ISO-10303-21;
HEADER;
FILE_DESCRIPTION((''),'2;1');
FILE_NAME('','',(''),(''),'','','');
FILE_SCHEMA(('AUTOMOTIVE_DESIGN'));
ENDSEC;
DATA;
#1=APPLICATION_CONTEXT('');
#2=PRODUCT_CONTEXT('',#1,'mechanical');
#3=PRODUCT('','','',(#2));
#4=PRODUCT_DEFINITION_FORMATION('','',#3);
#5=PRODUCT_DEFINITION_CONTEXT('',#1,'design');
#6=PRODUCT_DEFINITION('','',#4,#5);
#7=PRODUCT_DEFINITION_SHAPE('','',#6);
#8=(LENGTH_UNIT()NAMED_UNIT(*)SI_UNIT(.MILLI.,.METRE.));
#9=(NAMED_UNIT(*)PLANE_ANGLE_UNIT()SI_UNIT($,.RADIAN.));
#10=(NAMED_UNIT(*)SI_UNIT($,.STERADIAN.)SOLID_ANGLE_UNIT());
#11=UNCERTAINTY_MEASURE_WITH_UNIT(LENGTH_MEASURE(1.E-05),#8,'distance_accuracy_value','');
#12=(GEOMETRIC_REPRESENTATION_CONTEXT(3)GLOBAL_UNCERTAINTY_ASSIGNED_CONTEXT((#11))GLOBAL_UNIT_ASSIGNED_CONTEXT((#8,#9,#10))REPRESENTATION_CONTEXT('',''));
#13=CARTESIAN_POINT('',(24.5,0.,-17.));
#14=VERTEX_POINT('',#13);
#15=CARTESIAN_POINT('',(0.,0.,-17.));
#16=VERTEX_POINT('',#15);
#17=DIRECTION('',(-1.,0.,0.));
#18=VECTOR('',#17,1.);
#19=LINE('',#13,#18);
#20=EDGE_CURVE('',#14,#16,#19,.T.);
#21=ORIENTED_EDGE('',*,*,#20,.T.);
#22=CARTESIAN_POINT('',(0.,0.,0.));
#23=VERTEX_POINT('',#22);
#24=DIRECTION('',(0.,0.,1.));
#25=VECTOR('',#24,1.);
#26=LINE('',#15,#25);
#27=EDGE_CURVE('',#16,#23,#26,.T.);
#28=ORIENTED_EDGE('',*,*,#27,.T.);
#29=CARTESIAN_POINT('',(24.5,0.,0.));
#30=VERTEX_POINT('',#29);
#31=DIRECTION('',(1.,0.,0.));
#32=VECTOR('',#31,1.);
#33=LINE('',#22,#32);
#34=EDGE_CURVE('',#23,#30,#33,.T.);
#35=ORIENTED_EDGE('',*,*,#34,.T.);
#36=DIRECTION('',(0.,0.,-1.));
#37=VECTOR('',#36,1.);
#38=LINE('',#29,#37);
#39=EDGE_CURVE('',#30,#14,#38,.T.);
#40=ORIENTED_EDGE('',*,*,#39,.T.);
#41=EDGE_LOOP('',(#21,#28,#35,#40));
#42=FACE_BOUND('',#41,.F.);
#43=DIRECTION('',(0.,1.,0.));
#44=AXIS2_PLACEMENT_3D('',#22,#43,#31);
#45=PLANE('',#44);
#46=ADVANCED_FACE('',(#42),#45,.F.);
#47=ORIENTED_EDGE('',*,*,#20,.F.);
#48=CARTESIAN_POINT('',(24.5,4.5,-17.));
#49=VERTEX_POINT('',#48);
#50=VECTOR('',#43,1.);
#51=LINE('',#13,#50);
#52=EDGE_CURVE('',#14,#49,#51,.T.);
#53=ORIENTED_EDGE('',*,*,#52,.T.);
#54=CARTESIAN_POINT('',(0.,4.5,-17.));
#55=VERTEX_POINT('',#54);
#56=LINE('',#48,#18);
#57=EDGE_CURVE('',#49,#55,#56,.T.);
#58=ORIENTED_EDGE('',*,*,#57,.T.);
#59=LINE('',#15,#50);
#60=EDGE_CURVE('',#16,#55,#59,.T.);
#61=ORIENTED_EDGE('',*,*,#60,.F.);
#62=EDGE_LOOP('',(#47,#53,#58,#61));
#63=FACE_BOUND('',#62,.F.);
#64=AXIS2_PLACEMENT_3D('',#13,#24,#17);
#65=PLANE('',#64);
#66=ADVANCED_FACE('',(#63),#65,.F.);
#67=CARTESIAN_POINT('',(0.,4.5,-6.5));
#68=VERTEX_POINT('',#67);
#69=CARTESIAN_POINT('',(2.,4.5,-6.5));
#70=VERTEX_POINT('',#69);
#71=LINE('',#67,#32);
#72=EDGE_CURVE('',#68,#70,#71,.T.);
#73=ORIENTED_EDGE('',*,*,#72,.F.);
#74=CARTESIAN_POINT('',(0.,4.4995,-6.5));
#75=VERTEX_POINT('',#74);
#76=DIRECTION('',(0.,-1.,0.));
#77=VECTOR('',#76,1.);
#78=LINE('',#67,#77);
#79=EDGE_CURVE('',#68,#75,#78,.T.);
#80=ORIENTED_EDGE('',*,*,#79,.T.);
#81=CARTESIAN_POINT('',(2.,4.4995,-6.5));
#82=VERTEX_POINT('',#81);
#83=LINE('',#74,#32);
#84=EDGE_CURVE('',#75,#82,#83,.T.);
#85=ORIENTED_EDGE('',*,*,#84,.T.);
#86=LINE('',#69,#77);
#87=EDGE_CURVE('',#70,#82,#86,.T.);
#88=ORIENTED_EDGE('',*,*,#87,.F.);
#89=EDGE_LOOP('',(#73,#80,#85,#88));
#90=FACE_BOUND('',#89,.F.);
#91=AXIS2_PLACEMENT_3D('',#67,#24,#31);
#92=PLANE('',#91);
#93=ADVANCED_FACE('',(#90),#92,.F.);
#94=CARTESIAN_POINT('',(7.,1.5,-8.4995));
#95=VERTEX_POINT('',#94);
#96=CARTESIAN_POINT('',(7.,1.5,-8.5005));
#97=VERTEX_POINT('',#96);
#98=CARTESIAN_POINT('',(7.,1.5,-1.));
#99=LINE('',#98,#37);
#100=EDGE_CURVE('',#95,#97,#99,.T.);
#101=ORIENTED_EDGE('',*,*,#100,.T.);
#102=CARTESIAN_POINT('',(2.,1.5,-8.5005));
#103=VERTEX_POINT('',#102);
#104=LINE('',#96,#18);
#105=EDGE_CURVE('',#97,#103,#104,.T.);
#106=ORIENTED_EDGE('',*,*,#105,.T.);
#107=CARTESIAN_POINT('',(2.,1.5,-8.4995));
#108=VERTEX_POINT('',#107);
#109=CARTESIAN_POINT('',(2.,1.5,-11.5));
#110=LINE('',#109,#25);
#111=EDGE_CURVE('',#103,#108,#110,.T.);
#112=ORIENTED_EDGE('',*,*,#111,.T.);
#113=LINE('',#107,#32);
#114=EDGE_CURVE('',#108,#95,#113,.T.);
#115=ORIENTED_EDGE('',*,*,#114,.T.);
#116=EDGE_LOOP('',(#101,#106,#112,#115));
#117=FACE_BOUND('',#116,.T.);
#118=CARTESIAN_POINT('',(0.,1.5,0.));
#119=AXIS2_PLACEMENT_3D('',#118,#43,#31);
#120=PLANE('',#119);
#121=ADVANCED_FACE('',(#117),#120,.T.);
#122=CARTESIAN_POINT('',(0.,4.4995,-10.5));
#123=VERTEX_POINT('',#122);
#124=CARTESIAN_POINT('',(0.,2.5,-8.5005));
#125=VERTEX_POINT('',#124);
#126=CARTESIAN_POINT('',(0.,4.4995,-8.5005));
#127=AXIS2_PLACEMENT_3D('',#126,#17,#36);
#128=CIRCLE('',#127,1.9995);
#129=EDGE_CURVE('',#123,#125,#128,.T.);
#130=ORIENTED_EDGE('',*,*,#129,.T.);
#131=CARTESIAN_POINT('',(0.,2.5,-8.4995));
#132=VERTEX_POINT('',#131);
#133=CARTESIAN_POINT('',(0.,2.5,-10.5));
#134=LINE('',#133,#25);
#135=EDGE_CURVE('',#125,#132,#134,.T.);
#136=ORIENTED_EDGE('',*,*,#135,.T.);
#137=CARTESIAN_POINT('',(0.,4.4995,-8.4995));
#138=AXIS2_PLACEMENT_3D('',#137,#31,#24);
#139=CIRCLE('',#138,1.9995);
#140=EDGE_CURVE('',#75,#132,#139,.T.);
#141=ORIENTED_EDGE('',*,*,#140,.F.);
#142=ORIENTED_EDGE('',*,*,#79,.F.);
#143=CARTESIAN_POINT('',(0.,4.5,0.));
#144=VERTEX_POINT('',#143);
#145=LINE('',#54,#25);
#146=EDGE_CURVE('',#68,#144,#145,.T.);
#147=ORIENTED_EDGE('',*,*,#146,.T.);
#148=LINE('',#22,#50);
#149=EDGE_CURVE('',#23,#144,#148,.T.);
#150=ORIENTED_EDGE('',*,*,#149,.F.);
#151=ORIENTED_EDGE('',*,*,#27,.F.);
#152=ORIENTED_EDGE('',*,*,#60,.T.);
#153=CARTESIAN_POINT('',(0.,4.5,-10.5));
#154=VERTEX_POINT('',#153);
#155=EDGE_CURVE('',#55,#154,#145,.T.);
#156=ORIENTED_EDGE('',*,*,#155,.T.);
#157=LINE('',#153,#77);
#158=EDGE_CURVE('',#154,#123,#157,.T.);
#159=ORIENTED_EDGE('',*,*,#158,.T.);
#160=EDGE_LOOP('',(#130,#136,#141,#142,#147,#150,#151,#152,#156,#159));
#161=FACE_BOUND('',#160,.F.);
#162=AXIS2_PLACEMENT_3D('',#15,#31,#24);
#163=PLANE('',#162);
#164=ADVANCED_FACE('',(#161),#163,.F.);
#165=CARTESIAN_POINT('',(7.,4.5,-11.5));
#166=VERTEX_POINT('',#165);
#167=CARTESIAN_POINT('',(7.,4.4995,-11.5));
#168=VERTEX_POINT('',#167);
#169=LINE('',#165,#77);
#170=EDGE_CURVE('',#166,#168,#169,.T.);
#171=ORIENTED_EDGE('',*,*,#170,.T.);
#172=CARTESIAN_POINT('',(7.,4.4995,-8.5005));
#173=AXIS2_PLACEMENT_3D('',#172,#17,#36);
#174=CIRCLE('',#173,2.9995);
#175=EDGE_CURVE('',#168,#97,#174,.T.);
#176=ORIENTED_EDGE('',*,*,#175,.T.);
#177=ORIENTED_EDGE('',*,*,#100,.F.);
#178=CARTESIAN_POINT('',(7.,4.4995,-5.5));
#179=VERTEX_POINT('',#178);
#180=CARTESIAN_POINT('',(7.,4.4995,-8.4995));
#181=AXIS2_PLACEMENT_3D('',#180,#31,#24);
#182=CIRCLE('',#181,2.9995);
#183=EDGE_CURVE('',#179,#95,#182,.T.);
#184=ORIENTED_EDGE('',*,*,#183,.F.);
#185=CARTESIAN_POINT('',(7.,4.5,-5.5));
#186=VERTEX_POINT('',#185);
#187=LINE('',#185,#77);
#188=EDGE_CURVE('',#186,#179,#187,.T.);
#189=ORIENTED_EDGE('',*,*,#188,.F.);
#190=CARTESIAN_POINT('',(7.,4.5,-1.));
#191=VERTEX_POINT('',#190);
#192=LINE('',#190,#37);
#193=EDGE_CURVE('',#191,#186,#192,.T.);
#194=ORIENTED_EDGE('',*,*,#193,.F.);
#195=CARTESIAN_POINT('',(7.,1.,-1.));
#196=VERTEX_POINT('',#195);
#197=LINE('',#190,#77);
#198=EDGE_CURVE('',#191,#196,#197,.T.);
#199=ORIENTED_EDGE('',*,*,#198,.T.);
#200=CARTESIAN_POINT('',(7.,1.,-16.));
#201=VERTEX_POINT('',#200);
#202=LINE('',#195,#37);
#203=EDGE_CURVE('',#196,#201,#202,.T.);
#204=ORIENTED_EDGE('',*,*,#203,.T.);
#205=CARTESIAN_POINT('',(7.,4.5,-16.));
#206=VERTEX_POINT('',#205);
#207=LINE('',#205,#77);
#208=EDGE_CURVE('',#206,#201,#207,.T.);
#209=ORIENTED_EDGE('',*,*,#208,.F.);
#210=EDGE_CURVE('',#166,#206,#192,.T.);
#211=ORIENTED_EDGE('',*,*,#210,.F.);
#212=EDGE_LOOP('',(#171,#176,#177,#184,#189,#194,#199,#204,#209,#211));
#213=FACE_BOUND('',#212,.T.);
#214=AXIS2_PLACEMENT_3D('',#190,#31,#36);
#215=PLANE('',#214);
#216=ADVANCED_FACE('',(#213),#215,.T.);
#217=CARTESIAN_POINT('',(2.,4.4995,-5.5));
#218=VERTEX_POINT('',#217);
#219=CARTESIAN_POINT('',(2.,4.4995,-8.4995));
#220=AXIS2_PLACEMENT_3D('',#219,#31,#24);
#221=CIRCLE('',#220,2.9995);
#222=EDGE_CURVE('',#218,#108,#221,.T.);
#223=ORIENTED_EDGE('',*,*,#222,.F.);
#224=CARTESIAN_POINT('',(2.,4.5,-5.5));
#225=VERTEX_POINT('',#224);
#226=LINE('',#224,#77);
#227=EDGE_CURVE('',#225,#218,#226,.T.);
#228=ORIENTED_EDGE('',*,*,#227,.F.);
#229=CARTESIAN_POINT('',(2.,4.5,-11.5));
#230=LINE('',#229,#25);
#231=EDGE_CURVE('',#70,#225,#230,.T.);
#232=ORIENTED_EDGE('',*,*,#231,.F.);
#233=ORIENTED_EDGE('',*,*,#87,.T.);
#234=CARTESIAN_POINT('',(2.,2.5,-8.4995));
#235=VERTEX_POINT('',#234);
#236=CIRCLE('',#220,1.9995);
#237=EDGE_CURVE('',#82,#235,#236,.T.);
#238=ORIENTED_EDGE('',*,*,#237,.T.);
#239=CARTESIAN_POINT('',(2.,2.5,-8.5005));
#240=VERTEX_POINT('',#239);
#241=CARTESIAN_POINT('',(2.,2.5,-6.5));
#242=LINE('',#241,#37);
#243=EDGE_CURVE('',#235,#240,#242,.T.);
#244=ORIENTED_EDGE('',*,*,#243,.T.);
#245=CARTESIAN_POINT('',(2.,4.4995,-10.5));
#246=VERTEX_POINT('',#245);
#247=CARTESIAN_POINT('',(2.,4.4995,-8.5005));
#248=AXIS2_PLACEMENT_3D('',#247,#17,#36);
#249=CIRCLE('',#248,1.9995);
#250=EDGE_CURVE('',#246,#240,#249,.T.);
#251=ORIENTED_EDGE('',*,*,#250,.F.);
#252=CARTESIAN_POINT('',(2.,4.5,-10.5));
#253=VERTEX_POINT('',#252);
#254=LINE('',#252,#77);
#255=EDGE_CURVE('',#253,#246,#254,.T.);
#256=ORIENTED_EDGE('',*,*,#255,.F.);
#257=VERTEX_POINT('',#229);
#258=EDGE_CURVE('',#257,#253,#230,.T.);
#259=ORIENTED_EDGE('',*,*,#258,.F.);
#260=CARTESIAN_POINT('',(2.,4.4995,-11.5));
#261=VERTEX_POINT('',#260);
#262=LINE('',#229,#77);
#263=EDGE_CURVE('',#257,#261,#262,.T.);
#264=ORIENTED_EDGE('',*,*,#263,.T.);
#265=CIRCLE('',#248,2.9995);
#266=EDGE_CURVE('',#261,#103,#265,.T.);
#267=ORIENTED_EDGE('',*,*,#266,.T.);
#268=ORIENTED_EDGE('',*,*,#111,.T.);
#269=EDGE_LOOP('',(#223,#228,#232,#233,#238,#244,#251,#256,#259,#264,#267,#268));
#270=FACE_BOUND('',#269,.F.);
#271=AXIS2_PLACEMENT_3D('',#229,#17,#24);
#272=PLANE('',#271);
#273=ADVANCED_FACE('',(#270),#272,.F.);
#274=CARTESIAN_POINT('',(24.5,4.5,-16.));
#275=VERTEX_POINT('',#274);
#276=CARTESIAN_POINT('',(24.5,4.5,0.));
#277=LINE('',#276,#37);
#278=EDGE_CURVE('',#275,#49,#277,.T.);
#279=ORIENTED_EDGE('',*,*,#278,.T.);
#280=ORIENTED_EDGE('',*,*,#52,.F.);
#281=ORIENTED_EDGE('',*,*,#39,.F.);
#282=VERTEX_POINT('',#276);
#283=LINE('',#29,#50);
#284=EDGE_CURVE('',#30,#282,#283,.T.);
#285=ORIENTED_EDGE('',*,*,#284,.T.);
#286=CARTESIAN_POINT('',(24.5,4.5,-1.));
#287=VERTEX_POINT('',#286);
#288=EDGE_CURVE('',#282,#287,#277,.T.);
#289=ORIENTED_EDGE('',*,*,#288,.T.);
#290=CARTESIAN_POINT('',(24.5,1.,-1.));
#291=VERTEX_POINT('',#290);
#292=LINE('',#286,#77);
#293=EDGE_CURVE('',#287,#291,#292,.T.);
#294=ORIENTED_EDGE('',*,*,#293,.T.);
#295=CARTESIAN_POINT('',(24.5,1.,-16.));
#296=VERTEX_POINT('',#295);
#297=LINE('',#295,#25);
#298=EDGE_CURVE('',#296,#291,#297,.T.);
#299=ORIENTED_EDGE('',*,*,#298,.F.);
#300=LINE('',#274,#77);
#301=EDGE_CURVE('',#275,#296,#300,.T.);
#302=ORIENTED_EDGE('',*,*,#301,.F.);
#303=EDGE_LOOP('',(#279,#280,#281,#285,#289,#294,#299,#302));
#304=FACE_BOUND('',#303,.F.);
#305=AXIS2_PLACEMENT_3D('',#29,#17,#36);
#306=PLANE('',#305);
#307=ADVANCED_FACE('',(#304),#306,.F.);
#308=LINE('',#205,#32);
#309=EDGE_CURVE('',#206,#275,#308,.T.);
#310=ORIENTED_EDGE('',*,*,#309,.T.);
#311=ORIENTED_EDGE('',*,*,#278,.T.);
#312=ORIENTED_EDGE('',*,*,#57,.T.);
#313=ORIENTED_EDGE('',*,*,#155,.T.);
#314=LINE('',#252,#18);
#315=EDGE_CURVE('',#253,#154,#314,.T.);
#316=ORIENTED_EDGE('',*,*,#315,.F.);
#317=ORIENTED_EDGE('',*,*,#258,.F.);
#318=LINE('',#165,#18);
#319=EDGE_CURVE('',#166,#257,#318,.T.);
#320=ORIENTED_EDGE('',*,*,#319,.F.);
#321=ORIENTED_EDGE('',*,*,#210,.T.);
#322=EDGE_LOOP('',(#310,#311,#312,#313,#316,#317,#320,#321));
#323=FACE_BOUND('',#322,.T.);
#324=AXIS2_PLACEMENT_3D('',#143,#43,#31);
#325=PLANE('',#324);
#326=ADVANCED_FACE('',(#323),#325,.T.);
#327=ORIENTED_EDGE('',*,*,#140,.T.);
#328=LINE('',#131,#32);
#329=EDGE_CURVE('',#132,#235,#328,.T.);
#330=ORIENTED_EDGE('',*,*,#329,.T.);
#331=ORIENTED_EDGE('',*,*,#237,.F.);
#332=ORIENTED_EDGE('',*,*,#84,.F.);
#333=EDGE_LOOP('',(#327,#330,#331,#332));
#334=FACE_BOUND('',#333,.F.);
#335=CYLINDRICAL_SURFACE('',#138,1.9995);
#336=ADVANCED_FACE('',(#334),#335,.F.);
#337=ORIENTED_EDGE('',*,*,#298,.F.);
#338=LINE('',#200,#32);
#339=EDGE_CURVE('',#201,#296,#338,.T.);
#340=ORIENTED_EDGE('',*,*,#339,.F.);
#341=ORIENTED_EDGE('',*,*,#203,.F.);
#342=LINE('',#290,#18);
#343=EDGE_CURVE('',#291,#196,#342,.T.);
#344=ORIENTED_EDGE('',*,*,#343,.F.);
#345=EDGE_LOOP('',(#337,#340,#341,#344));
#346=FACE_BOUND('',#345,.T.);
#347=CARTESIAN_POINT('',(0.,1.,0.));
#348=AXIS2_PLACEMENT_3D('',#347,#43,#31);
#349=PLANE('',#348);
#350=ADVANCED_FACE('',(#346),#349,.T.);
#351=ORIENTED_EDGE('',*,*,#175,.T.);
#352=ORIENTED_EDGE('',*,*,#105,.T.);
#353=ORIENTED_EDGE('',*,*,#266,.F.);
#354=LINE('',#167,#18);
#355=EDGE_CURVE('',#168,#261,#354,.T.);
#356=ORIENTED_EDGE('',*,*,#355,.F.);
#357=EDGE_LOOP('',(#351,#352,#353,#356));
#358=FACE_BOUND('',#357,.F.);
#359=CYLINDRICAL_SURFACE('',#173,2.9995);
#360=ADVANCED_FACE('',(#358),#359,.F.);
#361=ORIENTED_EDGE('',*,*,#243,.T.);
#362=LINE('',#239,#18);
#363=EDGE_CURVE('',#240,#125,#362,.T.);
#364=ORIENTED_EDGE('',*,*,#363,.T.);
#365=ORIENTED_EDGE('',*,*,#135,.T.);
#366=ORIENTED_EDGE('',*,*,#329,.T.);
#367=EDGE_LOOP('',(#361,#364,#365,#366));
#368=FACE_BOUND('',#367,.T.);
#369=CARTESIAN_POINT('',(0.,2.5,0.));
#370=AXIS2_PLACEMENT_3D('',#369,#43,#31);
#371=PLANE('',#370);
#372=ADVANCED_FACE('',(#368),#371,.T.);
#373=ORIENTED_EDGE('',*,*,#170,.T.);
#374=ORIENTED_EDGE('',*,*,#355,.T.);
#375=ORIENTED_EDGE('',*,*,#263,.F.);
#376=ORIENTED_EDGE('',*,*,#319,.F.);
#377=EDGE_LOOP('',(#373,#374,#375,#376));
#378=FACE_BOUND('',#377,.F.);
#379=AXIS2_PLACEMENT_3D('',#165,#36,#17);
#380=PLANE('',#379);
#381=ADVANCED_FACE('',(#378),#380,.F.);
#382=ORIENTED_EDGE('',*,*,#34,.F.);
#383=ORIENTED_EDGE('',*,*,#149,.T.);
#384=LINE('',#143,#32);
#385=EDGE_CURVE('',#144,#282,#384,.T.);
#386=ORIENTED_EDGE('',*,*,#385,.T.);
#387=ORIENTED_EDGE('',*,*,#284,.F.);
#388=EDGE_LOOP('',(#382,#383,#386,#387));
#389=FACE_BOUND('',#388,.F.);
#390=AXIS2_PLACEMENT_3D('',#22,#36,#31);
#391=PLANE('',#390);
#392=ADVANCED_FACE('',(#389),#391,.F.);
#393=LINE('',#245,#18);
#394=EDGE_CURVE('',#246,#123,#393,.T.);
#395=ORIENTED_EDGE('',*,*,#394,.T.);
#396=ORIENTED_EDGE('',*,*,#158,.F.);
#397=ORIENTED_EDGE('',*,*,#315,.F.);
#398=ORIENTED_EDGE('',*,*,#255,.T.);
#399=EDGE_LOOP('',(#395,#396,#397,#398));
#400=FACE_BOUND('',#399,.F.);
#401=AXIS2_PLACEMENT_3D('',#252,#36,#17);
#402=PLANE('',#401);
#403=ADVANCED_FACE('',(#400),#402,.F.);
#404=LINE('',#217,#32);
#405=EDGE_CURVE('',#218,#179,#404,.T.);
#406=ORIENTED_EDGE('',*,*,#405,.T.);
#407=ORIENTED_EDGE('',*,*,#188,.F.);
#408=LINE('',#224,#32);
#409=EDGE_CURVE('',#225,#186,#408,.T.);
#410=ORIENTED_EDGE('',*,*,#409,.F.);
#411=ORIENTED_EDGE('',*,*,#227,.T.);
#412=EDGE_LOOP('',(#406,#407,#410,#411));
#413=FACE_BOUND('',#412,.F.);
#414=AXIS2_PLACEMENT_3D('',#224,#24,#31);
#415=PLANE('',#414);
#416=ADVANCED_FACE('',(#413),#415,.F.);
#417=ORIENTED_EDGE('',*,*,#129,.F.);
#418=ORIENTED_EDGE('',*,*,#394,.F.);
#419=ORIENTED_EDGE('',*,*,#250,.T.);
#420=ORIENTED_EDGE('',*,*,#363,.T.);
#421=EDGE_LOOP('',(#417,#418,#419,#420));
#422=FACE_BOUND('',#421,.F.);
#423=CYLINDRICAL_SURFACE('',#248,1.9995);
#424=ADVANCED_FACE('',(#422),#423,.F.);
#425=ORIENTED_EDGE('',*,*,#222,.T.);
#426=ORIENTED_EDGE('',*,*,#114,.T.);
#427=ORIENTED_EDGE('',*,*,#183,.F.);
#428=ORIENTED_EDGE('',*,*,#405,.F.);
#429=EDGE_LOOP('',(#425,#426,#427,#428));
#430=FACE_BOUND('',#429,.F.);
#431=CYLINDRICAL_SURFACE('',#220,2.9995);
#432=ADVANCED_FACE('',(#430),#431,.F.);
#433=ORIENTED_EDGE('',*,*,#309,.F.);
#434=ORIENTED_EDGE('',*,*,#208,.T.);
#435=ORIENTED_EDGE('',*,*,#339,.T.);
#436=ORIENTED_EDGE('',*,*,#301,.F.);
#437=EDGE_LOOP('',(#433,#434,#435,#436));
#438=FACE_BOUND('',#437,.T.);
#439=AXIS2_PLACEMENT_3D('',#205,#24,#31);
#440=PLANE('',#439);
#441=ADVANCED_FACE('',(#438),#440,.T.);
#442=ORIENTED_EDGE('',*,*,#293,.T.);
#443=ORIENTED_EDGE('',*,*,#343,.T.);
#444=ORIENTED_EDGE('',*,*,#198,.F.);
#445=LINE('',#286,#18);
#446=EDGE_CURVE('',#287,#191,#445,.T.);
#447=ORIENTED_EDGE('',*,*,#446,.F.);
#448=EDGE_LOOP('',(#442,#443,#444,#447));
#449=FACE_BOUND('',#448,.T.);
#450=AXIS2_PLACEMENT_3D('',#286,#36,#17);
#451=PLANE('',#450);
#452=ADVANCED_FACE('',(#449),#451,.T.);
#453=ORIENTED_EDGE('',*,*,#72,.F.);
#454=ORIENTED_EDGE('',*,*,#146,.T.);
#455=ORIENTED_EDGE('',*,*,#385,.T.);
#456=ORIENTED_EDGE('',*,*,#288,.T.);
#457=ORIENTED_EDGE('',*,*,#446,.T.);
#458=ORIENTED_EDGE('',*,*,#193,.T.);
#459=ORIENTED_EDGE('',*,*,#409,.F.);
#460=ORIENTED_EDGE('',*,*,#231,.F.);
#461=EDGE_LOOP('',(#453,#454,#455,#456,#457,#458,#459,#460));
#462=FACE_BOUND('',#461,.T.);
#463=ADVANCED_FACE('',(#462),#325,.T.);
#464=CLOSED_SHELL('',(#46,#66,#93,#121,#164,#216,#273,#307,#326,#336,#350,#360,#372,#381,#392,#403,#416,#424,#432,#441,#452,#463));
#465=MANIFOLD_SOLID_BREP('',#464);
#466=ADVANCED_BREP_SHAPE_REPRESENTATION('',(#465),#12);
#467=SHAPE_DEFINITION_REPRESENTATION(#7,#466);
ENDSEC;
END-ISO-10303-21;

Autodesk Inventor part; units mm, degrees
ref_plane "YZ Plane" through (0, 0, 0) normal (1, 0, 0) x (0, 1, 0)
ref_plane "XZ Plane" through (0, 0, 0) normal (0, 1, 0) x (-1, 0, 0)
ref_plane "XY Plane" through (0, 0, 0) normal (0, 0, 1) x (1, 0, 0)
sketch "Эскиз24" plane through (0, 0, 0) normal (0, 1, 0) x (1, 0, 0)
  line L0 (0, 0) -> (24.5, 0)
  line L1 (24.5, 0) -> (24.5, 17)
  line L2 (24.5, 17) -> (0, 17)
  line L3 (0, 17) -> (0, 0)
  dimension "d124" = 24.5
  dimension "d125" = 17
extrude "Выдавливание17" add sketch "Эскиз24" along normal blind 4.5
sketch "Эскиз25" plane through (0, 4.5, 0) normal (0, 1, 0) x (1, 0, 0)
  line L0 (24.5, 1) -> (7, 1)
  line L1 (7, 1) -> (7, 16)
  line L2 (7, 16) -> (24.5, 16)
  line L3 (24.5, 16) -> (24.5, 1)
  line L4 (24.5, 0) -> (24.5, 17) projected
  line L5 (0, 17) -> (0, 0) projected
  point P0 (24.5, 8.5)
  dimension "d128" = 15
  dimension "d129" = 17.5
extrude "Выдавливание18" cut sketch "Эскиз25" against normal blind 3.5
sketch "Эскиз26" plane through (0, 4.5, 0) normal (0, 1, 0) x (1, 0, 0)
  line L0 (7, 1) -> (7, 16) projected
  line L1 (2, 5.5) -> (7, 5.5)
  line L2 (7, 5.5) -> (7, 11.5)
  line L3 (7, 11.5) -> (2, 11.5)
  line L4 (2, 11.5) -> (2, 5.5)
  line L5 (7, 1) -> (7, 16) projected
  point P0 (0, 0)
  point P1 (7, 8.5)
  dimension "d133" = 5
  dimension "d134" = 6
extrude "Выдавливание19" cut sketch "Эскиз26" against normal blind 3
fillet "Сопряжение8" radius 3 2 edges at (4.5, 1.5, -11.5) (4.5, 1.5, -5.5)
sketch "Эскиз27" plane through (0, 4.5, 0) normal (0, 1, 0) x (1, 0, 0)
  line L0 (0, 6.5) -> (2, 6.5)
  line L1 (2, 6.5) -> (2, 10.5)
  line L2 (2, 10.5) -> (0, 10.5)
  line L3 (0, 10.5) -> (0, 6.5)
  line L4 (2, 5.5) -> (2, 11.5) projected
  line L5 (0, 17) -> (0, 0) projected
  point P0 (2, 8.5)
  dimension "d138" = 4
extrude "Выдавливание20" cut sketch "Эскиз27" against normal blind 2
fillet "Сопряжение9" radius 2 2 edges at (1, 2.5, -10.5) (1, 2.5, -6.5)
sketch "Эскиз21" plane through (20, 0, 0.1742) normal (1, 0, 0) x (0, 0, -1)
  line L0 (0.1742, 0) -> (-5.0258, 0) projected
  line L1 (0.1742, 0) -> (0.1742, 25) projected
  line L2 (-5.0258, 0) -> (-8.7758, -17.85)
  line L3 (0.1742, 0) -> (-3.5758, -17.85)
  line L4 (-8.7758, -17.85) -> (-3.5758, -17.85)
  dimension "d103" = 17.85
  dimension "d104" = 8.95
sketch "Эскиз22" plane through (20, -17.85, 3.75) normal (0, -1, 0) x (1, 0, 0)
  line L0 (0, 0) -> (-9.1, 0)
  line L1 (-9.1, 0) -> (-9.1, 17.3)
  line L2 (-9.1, 17.3) -> (0, 17.3)
  line L3 (0, 17.3) -> (0, 0)
  line L4 (0, 5.2) -> (-9.1, 5.2) projected
  line L5 (0, 0) -> (-9.1, 0) projected
  line L6 (0, 5.2) -> (0, 0) projected
  line L7 (0, 0) -> (-9.1, 0) projected
  line L8 (-9.1, 0) -> (-9.1, 5.2) projected
  line L9 (0, 5.2) -> (-9.1, 5.2) projected
  point P0 (-20, -3.75)
  point P1 (0, -7.9181)
  point P2 (-9.1, -7.9181)
  point P3 (-9.1, 0)
  point P4 (-9.1, -7.9181)
  point P5 (0, -7.9181)
  point P6 (0, 0)
  point P7 (0, 4.1819)
  point P8 (-9.1, 4.1819)
  dimension "d122" = 12.1
sketch "Эскиз23" plane through (40.15, -13.85, 3.75) normal (0, 1, 0) x (1, 0, 0)
  line L0 (-9.1, -17.3) -> (0, -17.3) projected
  line L1 (-4.55, -17.3) -> (-4.55, -12.6)
  point P0 (-40.15, 3.75)
  dimension "d118" = 4.7
properties part number "Крепление ультрасоника заднее"
